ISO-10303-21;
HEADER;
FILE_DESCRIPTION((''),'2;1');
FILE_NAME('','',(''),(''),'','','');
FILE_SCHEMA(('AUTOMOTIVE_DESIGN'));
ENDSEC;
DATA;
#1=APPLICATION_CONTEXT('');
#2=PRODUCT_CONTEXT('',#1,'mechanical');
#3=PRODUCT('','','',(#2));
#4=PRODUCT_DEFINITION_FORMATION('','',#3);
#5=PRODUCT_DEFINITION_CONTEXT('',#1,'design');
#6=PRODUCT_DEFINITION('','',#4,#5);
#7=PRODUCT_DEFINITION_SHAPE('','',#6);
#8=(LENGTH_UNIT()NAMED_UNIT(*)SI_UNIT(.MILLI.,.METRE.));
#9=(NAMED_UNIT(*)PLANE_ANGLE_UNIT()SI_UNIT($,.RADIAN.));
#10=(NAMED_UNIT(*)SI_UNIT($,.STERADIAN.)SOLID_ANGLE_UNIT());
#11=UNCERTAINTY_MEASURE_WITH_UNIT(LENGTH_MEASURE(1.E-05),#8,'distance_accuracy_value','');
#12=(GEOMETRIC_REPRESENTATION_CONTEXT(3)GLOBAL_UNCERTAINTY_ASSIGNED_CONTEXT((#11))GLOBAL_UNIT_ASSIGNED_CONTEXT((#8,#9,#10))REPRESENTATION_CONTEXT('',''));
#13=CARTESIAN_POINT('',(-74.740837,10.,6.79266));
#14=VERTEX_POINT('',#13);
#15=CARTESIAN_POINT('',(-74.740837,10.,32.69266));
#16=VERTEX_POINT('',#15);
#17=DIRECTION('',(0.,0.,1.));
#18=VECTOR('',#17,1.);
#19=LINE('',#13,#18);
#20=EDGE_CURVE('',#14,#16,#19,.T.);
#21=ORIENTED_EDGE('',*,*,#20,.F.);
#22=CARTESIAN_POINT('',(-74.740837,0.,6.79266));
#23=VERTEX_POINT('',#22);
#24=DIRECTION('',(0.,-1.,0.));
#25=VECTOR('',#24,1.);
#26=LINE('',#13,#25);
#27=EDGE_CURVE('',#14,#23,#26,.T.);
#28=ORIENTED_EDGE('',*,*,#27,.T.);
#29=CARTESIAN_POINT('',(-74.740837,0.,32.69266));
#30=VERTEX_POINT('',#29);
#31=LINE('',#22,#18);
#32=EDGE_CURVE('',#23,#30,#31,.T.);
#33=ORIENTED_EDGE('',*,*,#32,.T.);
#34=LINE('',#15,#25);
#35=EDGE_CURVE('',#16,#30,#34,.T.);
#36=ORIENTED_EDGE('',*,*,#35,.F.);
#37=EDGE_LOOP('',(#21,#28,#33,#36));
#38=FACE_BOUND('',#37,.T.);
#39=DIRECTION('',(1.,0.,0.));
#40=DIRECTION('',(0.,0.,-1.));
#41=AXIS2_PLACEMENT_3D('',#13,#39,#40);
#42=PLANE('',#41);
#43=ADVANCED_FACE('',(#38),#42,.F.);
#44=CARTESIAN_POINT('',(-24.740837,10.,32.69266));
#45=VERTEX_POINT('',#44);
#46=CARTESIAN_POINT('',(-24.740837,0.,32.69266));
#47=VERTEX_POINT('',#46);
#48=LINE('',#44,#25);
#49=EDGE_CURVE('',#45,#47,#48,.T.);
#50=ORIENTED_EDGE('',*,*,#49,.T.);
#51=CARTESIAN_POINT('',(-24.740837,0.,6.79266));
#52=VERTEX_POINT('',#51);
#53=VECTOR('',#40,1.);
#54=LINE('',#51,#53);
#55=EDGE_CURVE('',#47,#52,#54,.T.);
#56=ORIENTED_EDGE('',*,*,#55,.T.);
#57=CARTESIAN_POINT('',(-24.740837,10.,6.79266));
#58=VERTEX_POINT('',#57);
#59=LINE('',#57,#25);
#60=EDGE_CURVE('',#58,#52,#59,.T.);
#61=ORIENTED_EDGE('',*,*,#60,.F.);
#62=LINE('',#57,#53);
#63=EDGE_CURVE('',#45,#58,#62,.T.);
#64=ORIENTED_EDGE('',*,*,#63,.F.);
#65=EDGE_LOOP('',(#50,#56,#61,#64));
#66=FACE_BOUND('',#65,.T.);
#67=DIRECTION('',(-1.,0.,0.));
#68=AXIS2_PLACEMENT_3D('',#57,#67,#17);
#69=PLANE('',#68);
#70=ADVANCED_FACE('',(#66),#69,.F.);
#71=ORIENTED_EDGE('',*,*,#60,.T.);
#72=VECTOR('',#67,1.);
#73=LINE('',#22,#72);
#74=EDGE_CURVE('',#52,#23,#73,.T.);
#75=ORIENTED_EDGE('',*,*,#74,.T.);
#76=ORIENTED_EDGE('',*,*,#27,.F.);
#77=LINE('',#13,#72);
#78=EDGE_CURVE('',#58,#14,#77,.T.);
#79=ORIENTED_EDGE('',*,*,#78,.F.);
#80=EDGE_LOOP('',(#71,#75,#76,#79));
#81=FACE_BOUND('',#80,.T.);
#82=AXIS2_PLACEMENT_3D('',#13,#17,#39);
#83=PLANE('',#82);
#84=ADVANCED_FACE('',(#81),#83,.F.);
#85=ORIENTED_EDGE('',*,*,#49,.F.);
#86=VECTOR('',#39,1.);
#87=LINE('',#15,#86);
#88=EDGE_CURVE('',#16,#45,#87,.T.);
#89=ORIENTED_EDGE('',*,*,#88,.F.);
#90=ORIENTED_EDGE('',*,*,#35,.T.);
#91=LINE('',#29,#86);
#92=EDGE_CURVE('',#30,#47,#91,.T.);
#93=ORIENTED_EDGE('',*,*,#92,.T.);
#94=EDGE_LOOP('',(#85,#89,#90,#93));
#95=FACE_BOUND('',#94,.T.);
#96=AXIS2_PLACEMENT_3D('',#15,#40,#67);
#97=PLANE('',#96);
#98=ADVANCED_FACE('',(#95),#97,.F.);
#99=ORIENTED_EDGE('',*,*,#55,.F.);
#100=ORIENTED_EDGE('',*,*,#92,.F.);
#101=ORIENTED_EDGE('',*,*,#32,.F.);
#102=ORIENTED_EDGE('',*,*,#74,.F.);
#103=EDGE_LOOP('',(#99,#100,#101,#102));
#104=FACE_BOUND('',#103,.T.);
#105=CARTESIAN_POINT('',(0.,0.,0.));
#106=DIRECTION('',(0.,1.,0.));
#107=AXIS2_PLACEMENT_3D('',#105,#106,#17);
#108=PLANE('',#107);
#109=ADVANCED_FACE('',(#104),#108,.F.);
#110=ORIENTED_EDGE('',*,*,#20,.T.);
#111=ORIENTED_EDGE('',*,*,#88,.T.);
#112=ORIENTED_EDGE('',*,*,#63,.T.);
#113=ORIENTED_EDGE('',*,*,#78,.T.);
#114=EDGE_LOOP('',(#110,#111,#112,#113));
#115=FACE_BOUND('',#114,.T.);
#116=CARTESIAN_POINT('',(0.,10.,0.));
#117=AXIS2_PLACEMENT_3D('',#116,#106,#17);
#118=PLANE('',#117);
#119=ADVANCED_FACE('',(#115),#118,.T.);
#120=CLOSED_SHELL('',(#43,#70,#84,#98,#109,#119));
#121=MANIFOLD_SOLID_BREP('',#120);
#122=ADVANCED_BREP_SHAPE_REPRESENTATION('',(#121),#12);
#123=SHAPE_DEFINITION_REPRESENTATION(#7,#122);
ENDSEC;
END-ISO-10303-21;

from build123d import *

# Parameters (mm, degrees)
SKETCH1_W           = 50
SKETCH1_H           = 25.9
BOSS_EXTRUDE1_DEPTH = 10


with BuildPart() as part:
    # Sketch1 → Boss-Extrude1 (new body)
    with BuildSketch(Plane(origin=(0, 0, 0), x_dir=(1, 0, 0), z_dir=(0, 1, 0))):
        with Locations((-49.740837232, -19.7426596)):
            Rectangle(SKETCH1_W, SKETCH1_H)
    extrude(amount=BOSS_EXTRUDE1_DEPTH)


solid = part.part
